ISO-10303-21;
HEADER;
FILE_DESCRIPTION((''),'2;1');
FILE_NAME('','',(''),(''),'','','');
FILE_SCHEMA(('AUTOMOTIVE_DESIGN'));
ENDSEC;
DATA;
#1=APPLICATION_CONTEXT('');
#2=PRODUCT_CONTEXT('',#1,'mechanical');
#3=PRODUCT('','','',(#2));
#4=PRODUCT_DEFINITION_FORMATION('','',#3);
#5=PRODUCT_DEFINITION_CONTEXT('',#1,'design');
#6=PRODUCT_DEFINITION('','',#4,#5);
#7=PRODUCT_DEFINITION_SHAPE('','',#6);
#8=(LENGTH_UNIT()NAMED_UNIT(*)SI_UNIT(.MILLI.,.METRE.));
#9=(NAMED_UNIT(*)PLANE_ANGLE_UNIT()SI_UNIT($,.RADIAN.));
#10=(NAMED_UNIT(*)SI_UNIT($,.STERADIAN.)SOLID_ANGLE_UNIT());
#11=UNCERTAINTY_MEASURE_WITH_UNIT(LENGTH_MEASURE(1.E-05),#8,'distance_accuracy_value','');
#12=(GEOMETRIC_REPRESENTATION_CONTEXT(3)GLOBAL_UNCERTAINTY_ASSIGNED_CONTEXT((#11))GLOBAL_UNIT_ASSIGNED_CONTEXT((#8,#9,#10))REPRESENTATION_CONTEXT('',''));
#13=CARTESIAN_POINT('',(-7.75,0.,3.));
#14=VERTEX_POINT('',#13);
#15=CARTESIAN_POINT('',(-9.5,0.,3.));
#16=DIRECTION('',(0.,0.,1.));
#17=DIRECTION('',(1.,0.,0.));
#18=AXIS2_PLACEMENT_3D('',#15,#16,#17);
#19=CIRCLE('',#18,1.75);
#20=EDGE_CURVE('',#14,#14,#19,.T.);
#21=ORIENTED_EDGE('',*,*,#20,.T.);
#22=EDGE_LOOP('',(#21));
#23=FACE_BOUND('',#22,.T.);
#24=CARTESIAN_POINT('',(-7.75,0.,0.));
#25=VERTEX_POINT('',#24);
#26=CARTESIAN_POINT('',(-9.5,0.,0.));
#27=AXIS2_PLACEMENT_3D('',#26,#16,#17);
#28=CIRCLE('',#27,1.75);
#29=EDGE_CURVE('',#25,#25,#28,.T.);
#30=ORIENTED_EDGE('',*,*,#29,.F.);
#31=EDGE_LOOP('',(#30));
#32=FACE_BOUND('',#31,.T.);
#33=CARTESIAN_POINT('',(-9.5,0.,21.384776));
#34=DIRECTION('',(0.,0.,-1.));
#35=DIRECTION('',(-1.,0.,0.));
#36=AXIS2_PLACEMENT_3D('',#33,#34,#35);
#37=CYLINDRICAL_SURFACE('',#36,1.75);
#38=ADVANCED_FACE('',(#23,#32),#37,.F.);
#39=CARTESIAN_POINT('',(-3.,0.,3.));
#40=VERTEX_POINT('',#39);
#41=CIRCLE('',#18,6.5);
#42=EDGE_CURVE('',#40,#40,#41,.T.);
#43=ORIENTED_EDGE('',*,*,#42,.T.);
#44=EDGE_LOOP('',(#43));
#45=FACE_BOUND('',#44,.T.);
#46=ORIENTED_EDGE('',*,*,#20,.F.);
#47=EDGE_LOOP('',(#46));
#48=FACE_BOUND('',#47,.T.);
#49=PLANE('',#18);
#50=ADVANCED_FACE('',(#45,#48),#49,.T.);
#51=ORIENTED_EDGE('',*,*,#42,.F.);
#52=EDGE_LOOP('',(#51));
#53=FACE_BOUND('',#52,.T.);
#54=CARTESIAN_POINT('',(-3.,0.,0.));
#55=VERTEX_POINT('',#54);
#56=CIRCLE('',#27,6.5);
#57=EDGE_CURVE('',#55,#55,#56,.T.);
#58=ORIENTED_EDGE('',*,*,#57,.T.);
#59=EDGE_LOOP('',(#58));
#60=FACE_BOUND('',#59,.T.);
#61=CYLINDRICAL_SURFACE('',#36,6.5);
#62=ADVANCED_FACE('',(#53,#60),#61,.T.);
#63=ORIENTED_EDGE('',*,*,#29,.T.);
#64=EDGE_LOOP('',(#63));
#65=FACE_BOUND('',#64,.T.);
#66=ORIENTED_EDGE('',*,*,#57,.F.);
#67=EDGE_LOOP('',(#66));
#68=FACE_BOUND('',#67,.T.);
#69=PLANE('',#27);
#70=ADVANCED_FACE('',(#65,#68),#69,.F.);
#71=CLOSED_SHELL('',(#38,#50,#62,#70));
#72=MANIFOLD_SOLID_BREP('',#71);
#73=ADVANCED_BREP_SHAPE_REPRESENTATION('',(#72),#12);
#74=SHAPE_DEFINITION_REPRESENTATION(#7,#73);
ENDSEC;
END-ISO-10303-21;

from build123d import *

# Parameters (mm, degrees)
SKETCH1_R           = 6.5
SKETCH1_R_2         = 1.75
BOSS_EXTRUDE1_DEPTH = 3


with BuildPart() as part:
    # Sketch1 → Boss-Extrude1 (new body)
    with BuildSketch(Plane.XY):
        with Locations((-9.5, 0)):
            Circle(SKETCH1_R)
        with Locations((-9.5, 0)):
            Circle(SKETCH1_R_2, mode=Mode.SUBTRACT)
    extrude(amount=BOSS_EXTRUDE1_DEPTH)


solid = part.part
